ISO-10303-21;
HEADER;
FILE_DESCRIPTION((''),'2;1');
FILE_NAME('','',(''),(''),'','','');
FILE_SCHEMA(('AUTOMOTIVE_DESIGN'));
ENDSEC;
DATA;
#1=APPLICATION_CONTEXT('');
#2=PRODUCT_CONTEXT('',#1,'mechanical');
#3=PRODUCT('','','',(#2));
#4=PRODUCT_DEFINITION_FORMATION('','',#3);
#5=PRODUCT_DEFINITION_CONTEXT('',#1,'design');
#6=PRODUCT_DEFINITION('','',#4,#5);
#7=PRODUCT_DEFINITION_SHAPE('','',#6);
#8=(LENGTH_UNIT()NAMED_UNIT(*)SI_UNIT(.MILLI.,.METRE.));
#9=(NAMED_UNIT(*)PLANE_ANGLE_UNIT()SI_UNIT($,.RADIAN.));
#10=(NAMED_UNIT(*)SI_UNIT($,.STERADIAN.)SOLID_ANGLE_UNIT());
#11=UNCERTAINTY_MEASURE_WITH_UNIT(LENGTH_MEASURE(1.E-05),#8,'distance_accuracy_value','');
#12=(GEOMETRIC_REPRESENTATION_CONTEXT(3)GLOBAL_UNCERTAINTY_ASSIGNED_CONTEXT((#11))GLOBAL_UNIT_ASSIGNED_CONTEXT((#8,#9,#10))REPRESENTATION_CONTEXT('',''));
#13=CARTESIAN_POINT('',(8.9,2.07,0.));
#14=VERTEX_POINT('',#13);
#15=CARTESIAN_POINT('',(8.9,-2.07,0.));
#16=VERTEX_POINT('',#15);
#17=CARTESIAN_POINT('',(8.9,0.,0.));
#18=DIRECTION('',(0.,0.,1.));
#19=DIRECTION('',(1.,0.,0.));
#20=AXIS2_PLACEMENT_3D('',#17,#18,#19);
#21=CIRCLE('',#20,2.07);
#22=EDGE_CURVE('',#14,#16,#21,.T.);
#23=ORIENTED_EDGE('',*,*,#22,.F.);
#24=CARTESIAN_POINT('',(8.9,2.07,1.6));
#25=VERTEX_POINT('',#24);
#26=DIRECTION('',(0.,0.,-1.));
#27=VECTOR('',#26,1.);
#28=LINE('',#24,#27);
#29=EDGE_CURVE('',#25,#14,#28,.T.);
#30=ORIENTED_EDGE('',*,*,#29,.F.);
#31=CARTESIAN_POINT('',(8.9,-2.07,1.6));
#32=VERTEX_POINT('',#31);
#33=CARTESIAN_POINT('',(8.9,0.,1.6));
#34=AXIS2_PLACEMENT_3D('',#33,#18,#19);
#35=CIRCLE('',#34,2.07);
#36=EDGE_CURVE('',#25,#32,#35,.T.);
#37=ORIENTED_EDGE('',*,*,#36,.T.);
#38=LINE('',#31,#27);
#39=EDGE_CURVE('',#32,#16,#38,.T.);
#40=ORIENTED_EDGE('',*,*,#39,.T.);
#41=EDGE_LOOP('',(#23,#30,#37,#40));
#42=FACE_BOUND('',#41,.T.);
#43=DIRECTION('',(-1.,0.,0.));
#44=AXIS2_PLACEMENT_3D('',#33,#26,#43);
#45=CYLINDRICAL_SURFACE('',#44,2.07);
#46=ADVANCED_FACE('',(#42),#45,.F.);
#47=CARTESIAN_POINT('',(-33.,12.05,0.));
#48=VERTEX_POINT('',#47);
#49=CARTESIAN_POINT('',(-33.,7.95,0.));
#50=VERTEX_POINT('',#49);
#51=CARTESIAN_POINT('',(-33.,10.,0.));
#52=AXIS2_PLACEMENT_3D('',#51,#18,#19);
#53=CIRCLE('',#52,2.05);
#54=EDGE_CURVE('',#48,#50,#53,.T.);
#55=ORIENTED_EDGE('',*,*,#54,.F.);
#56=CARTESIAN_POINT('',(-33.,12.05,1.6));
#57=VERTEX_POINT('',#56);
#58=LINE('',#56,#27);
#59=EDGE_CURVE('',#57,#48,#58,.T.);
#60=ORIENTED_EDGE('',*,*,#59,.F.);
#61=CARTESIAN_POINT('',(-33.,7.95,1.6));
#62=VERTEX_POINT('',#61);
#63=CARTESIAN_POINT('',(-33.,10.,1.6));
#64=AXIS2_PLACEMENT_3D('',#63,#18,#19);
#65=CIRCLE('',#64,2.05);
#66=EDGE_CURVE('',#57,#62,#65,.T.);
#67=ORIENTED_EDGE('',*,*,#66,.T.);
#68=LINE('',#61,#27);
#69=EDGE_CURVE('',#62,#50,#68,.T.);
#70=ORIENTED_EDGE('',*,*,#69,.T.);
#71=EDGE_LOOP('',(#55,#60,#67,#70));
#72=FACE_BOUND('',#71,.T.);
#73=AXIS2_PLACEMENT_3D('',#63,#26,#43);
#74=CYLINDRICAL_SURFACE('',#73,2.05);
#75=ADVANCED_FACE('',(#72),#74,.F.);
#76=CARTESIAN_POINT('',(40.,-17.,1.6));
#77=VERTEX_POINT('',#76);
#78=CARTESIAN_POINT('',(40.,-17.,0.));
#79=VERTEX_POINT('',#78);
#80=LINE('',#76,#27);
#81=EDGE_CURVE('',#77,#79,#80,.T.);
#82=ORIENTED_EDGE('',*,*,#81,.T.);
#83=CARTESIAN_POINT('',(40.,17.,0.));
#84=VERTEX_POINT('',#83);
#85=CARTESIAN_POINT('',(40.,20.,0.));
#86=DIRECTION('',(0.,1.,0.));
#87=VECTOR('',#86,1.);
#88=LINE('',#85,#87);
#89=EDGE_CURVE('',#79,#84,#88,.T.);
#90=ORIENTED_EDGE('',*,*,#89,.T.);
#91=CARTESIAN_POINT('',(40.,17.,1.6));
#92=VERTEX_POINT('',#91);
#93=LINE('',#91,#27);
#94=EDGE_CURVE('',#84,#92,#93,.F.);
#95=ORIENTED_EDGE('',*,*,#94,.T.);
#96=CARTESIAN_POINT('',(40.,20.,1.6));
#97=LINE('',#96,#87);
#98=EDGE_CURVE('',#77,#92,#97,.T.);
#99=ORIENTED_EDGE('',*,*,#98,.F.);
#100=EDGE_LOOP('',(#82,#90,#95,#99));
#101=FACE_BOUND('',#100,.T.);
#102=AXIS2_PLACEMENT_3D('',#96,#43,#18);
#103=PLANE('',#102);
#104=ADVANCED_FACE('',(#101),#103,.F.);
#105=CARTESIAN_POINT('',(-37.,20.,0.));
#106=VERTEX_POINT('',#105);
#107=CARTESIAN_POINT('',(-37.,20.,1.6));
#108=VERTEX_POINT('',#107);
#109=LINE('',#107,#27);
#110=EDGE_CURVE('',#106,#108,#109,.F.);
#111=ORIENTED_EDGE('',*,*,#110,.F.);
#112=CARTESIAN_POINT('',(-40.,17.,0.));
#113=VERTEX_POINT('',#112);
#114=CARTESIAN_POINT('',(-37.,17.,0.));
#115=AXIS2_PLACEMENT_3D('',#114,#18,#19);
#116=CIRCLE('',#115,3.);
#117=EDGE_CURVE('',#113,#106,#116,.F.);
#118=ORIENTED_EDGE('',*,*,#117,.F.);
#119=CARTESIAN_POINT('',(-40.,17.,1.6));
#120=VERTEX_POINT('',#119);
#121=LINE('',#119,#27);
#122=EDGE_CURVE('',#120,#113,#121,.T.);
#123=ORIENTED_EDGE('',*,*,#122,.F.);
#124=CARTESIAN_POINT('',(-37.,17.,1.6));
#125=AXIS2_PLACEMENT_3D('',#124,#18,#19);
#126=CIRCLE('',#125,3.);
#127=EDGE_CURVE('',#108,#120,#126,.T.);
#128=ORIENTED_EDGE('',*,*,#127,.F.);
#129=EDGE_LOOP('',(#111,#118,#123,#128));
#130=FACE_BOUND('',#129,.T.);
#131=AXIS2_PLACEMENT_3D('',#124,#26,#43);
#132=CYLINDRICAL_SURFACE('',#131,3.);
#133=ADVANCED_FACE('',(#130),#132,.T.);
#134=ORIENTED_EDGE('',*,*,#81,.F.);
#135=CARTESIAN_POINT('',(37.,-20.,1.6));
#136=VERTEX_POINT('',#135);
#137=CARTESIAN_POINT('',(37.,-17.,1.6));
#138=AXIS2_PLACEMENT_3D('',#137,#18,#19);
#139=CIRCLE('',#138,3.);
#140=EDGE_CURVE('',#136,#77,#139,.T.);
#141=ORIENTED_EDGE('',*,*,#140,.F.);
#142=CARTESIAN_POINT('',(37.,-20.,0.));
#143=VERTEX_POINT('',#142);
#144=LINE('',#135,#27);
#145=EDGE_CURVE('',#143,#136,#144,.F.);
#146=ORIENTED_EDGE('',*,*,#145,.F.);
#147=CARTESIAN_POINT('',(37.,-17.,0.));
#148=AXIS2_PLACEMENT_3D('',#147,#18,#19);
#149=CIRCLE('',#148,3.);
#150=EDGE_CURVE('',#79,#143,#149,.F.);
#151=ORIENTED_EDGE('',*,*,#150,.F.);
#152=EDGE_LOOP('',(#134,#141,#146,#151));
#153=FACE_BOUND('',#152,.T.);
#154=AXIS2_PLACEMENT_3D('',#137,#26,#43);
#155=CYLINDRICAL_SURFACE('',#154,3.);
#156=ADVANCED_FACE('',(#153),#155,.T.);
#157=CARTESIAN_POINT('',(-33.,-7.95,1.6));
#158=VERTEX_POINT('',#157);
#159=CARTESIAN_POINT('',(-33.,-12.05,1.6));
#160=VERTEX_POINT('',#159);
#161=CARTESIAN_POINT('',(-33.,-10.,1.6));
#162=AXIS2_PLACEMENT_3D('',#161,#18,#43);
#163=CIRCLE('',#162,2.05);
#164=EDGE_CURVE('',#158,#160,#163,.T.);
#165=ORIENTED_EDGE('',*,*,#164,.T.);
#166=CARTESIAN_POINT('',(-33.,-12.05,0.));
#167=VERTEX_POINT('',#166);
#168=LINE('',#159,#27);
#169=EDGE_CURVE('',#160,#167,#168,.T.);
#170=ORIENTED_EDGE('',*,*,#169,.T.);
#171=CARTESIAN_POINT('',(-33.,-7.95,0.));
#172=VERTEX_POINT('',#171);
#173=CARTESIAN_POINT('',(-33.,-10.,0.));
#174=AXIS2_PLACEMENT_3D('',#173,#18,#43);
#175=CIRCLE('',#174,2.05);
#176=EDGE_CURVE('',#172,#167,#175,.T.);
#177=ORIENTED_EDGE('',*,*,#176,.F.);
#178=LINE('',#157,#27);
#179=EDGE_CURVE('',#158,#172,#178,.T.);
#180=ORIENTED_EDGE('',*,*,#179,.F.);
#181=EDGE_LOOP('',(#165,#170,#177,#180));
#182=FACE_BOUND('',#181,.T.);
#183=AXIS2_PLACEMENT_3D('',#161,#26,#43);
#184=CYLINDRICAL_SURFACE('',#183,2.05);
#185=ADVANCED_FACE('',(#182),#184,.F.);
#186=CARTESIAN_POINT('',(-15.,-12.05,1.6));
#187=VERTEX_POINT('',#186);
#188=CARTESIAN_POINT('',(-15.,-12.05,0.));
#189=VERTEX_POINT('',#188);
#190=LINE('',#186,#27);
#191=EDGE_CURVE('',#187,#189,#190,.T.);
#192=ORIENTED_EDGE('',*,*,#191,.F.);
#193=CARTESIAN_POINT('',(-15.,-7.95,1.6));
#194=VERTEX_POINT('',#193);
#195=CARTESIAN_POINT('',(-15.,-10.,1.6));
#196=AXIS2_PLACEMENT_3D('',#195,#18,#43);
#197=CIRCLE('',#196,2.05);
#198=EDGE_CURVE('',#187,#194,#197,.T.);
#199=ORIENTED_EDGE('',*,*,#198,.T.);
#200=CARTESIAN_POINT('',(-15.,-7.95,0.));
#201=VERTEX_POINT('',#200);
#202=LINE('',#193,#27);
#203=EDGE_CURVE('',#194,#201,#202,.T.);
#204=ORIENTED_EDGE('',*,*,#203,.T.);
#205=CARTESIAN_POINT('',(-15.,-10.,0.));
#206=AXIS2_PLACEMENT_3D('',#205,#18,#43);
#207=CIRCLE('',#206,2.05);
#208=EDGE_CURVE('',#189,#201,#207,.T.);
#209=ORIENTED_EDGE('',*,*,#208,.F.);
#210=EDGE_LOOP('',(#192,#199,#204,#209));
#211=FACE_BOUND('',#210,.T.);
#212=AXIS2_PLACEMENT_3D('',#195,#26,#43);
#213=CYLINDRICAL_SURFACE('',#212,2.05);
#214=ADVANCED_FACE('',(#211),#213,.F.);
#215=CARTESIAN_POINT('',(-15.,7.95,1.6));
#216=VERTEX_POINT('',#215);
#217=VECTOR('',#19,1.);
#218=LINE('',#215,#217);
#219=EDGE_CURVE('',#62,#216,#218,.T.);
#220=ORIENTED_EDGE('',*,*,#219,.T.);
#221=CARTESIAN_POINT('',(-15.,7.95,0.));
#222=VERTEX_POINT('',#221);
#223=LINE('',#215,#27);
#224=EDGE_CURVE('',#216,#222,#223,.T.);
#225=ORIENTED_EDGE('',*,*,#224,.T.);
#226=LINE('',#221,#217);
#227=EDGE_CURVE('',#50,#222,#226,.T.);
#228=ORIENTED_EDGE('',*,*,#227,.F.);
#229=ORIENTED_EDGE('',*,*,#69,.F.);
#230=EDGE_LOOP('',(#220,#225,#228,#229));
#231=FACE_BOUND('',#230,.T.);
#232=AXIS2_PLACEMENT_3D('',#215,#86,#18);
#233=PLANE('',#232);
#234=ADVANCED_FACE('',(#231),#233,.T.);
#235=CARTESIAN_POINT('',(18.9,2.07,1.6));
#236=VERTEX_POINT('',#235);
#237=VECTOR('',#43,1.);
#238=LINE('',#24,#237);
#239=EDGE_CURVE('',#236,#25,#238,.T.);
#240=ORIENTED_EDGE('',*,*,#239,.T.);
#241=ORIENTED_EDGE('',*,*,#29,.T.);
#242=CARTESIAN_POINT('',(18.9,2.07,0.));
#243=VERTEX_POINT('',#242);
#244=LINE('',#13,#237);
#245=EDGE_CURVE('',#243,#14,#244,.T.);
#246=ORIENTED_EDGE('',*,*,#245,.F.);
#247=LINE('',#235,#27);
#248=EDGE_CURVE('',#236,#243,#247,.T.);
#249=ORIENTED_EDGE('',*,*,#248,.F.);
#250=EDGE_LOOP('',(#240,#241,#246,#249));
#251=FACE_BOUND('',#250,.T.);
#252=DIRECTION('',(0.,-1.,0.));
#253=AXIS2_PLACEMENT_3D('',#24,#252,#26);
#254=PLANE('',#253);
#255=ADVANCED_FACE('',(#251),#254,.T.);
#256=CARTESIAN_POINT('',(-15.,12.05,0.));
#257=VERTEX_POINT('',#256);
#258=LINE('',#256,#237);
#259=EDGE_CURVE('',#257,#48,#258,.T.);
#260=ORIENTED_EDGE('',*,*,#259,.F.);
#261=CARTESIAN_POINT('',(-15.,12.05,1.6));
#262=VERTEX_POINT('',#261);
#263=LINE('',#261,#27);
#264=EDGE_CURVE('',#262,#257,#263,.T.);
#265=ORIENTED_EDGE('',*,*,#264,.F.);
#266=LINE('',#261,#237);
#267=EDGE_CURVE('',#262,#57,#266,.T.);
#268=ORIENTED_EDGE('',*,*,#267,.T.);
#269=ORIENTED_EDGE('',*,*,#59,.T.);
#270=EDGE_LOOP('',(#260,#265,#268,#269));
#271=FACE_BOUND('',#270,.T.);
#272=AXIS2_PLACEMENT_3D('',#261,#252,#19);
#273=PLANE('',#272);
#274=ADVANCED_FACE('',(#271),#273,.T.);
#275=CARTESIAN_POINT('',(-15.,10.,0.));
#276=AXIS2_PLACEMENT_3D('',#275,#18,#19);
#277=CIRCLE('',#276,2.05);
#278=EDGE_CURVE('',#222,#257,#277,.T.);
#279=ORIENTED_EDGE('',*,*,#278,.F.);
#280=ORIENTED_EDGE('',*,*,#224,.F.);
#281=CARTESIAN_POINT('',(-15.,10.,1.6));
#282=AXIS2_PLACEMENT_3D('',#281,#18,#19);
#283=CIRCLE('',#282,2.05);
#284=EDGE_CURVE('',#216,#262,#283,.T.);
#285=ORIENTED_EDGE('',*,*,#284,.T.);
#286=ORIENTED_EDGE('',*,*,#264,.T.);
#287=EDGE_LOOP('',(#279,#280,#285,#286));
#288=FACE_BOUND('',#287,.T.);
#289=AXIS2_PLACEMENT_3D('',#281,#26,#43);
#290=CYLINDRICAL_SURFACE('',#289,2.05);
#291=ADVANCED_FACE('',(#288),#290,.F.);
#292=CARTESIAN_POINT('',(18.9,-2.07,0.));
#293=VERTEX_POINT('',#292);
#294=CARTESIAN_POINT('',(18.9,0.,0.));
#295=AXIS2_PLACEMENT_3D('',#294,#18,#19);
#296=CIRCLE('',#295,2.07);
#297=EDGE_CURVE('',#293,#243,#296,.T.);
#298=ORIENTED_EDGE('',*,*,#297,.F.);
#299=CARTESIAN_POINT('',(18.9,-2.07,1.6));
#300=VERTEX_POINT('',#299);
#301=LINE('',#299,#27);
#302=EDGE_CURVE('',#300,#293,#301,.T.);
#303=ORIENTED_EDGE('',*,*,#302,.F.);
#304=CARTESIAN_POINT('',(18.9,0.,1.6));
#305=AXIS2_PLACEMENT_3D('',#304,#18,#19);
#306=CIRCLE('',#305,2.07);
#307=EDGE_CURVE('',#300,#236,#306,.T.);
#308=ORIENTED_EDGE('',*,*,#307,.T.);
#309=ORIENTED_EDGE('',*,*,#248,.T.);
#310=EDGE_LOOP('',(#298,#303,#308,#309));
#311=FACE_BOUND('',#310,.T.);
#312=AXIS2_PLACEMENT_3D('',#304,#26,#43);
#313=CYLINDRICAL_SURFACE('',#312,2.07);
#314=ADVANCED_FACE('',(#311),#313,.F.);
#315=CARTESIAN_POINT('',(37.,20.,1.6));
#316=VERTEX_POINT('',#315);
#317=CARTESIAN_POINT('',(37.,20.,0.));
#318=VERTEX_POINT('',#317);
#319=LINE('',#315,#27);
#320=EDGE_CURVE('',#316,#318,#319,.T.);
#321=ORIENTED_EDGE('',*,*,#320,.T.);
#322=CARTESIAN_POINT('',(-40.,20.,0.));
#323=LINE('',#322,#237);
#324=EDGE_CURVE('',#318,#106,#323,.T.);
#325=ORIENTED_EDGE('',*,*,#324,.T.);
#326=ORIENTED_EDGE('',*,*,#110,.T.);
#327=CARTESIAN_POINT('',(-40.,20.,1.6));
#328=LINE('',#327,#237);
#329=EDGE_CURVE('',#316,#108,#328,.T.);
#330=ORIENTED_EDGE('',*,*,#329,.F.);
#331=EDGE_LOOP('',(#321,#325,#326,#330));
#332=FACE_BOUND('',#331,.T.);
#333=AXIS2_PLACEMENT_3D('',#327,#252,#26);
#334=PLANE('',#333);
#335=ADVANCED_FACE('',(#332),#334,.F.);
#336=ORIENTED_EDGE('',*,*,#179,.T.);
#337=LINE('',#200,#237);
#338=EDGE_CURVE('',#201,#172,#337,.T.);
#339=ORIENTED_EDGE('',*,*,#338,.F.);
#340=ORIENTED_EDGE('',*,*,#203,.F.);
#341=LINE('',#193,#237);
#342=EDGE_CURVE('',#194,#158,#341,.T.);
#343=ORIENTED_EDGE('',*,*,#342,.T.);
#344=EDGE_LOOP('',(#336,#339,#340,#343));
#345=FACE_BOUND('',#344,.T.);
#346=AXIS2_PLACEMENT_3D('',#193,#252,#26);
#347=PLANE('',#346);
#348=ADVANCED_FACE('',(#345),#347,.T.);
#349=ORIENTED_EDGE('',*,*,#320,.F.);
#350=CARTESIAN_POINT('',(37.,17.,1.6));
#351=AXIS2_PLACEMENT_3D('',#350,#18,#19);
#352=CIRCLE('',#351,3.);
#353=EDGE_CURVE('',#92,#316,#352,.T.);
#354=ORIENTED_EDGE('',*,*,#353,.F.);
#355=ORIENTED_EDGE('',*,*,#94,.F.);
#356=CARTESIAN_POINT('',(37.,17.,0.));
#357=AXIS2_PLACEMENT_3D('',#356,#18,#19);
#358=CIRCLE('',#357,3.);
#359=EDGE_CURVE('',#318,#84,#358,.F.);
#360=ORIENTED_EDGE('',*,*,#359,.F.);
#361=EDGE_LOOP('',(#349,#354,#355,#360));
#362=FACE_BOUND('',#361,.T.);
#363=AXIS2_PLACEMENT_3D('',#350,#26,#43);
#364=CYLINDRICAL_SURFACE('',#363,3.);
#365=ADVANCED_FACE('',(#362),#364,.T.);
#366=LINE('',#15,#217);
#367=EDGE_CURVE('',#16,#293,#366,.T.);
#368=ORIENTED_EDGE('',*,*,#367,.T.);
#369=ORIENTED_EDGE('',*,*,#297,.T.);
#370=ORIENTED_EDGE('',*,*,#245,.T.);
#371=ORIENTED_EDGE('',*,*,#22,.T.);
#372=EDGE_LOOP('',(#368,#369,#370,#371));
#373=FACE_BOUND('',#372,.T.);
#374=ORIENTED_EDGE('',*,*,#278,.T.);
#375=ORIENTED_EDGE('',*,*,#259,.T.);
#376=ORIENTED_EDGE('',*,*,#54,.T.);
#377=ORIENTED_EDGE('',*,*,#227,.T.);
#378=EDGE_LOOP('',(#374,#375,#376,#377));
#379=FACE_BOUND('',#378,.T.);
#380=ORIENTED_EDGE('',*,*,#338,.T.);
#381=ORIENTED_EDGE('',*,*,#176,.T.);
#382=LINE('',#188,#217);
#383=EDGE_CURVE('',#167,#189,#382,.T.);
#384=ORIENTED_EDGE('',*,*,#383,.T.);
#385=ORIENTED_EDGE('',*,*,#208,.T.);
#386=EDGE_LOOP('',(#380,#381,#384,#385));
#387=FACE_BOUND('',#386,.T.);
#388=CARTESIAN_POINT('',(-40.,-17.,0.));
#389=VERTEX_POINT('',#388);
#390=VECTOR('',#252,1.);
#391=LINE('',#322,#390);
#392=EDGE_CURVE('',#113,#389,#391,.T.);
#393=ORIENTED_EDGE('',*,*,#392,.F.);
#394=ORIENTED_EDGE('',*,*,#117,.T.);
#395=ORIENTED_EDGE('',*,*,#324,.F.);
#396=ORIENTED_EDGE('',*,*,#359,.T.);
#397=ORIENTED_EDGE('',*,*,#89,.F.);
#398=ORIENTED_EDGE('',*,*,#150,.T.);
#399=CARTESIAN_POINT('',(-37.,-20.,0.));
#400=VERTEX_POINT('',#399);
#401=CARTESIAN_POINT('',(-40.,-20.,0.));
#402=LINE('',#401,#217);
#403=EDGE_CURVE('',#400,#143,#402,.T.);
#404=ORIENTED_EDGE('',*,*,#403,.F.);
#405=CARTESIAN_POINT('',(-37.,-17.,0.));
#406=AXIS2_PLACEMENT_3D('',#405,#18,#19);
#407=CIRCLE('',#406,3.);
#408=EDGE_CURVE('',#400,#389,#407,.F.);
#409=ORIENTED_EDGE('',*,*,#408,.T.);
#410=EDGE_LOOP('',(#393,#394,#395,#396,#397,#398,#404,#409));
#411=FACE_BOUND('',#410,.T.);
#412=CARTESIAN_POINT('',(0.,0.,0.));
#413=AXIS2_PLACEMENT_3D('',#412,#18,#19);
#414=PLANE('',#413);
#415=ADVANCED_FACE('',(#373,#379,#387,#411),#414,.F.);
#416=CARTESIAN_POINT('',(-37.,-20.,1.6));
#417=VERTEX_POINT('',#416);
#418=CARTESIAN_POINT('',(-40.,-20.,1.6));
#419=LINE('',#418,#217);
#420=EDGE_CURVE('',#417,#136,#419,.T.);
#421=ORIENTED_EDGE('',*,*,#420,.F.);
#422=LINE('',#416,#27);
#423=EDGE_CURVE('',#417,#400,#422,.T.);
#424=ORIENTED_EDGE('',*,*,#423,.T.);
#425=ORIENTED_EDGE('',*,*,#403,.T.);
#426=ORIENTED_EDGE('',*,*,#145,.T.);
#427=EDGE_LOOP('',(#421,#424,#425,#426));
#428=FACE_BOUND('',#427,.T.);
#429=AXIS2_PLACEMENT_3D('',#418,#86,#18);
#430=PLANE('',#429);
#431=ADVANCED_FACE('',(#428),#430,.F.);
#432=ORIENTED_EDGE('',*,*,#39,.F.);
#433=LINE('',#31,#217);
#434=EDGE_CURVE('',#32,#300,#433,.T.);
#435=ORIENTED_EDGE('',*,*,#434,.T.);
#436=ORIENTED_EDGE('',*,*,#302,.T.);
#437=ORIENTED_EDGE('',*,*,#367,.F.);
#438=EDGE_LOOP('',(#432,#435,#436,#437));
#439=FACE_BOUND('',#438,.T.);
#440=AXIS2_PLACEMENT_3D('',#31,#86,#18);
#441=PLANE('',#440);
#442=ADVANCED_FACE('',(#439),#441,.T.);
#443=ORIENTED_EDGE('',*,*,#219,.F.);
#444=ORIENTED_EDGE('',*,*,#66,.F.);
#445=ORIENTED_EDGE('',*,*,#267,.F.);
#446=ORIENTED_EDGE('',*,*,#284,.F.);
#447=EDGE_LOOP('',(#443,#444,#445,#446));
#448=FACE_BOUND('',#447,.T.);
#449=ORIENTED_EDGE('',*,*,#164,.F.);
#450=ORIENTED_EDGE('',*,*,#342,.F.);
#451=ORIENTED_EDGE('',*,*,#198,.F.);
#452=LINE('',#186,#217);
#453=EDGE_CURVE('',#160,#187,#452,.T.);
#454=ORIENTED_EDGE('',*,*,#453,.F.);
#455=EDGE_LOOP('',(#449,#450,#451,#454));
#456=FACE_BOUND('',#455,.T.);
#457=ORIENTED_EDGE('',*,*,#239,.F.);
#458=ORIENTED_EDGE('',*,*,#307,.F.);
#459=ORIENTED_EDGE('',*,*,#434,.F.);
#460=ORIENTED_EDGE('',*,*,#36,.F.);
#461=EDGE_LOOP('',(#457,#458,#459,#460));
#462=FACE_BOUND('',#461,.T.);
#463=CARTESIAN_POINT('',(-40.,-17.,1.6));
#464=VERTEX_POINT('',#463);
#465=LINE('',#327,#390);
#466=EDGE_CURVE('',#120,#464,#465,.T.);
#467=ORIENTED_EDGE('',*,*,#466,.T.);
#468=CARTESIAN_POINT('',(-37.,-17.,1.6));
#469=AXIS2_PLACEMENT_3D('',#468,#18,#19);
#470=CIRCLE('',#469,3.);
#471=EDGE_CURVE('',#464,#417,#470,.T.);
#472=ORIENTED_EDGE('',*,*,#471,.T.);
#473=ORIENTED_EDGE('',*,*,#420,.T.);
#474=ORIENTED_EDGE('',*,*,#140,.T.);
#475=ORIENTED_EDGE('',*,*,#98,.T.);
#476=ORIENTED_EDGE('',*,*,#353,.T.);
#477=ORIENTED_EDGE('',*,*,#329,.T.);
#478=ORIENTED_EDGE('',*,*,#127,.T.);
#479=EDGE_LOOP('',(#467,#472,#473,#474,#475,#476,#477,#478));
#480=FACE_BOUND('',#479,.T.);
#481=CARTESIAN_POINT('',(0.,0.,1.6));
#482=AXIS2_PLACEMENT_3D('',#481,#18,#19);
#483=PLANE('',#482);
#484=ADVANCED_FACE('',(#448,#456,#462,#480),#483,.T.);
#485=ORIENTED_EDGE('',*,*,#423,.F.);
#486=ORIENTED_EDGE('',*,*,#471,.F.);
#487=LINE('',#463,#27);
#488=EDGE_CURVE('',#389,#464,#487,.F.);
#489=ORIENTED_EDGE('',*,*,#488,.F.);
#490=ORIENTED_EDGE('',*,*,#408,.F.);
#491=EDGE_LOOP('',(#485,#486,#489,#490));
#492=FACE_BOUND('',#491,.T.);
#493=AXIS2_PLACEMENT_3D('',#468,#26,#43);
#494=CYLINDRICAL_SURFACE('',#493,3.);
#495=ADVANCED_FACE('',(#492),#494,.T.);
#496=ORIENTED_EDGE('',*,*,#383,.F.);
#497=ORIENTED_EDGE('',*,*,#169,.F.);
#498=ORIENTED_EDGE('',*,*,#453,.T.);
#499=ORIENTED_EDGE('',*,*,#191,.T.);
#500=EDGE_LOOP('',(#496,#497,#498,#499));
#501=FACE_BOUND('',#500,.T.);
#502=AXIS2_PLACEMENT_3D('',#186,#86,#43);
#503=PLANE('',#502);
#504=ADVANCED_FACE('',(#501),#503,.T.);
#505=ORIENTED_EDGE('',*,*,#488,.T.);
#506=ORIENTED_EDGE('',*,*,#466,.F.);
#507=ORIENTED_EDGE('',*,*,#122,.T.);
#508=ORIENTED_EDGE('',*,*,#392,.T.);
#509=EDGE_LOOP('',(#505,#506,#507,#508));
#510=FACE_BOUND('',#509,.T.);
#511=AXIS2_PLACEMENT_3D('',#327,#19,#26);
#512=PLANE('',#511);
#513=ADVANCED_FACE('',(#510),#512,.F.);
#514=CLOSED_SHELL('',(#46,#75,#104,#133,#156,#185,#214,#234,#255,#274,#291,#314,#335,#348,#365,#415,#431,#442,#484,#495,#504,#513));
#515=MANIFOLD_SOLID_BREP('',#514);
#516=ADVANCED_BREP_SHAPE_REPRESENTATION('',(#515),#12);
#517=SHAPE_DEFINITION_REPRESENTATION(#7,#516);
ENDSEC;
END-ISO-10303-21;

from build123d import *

# Parameters (mm, degrees)
SKETCH1_W           = 80
SKETCH1_H           = 40
BOSS_EXTRUDE1_DEPTH = 1.6
FILLET1_R           = 3


with BuildPart() as part:
    # Sketch1 → Boss-Extrude1 (new body)
    with BuildSketch(Plane.XY):
        Rectangle(SKETCH1_W, SKETCH1_H)
        with BuildLine():
            Line((-15, 7.95), (-33, 7.95))
            ThreePointArc((-33, 7.95), (-35.05, 10), (-33, 12.05))
            Line((-33, 12.05), (-15, 12.05))
            ThreePointArc((-15, 12.05), (-12.95, 10), (-15, 7.95))
        make_face(mode=Mode.SUBTRACT)
        with BuildLine():
            Line((-15, -7.95), (-33, -7.95))
            ThreePointArc((-33, -7.95), (-35.05, -10), (-33, -12.05))
            Line((-33, -12.05), (-15, -12.05))
            ThreePointArc((-15, -12.05), (-12.95, -10), (-15, -7.95))
        make_face(mode=Mode.SUBTRACT)
        with BuildLine():
            Line((8.9, 2.07), (18.9, 2.07))
            ThreePointArc((18.9, 2.07), (20.97, 0), (18.9, -2.07))
            Line((18.9, -2.07), (8.9, -2.07))
            ThreePointArc((8.9, -2.07), (6.83, 0), (8.9, 2.07))
        make_face(mode=Mode.SUBTRACT)
    extrude(amount=BOSS_EXTRUDE1_DEPTH)

    # Fillet1
    fillet1_edges = [part.edges().sort_by_distance(p)[0] for p in [
        (40, -20, 0.8),
        (-40, -20, 0.8),
        (-40, 20, 0.8),
        (40, 20, 0.8),
    ]]
    fillet(fillet1_edges, radius=FILLET1_R)


solid = part.part
